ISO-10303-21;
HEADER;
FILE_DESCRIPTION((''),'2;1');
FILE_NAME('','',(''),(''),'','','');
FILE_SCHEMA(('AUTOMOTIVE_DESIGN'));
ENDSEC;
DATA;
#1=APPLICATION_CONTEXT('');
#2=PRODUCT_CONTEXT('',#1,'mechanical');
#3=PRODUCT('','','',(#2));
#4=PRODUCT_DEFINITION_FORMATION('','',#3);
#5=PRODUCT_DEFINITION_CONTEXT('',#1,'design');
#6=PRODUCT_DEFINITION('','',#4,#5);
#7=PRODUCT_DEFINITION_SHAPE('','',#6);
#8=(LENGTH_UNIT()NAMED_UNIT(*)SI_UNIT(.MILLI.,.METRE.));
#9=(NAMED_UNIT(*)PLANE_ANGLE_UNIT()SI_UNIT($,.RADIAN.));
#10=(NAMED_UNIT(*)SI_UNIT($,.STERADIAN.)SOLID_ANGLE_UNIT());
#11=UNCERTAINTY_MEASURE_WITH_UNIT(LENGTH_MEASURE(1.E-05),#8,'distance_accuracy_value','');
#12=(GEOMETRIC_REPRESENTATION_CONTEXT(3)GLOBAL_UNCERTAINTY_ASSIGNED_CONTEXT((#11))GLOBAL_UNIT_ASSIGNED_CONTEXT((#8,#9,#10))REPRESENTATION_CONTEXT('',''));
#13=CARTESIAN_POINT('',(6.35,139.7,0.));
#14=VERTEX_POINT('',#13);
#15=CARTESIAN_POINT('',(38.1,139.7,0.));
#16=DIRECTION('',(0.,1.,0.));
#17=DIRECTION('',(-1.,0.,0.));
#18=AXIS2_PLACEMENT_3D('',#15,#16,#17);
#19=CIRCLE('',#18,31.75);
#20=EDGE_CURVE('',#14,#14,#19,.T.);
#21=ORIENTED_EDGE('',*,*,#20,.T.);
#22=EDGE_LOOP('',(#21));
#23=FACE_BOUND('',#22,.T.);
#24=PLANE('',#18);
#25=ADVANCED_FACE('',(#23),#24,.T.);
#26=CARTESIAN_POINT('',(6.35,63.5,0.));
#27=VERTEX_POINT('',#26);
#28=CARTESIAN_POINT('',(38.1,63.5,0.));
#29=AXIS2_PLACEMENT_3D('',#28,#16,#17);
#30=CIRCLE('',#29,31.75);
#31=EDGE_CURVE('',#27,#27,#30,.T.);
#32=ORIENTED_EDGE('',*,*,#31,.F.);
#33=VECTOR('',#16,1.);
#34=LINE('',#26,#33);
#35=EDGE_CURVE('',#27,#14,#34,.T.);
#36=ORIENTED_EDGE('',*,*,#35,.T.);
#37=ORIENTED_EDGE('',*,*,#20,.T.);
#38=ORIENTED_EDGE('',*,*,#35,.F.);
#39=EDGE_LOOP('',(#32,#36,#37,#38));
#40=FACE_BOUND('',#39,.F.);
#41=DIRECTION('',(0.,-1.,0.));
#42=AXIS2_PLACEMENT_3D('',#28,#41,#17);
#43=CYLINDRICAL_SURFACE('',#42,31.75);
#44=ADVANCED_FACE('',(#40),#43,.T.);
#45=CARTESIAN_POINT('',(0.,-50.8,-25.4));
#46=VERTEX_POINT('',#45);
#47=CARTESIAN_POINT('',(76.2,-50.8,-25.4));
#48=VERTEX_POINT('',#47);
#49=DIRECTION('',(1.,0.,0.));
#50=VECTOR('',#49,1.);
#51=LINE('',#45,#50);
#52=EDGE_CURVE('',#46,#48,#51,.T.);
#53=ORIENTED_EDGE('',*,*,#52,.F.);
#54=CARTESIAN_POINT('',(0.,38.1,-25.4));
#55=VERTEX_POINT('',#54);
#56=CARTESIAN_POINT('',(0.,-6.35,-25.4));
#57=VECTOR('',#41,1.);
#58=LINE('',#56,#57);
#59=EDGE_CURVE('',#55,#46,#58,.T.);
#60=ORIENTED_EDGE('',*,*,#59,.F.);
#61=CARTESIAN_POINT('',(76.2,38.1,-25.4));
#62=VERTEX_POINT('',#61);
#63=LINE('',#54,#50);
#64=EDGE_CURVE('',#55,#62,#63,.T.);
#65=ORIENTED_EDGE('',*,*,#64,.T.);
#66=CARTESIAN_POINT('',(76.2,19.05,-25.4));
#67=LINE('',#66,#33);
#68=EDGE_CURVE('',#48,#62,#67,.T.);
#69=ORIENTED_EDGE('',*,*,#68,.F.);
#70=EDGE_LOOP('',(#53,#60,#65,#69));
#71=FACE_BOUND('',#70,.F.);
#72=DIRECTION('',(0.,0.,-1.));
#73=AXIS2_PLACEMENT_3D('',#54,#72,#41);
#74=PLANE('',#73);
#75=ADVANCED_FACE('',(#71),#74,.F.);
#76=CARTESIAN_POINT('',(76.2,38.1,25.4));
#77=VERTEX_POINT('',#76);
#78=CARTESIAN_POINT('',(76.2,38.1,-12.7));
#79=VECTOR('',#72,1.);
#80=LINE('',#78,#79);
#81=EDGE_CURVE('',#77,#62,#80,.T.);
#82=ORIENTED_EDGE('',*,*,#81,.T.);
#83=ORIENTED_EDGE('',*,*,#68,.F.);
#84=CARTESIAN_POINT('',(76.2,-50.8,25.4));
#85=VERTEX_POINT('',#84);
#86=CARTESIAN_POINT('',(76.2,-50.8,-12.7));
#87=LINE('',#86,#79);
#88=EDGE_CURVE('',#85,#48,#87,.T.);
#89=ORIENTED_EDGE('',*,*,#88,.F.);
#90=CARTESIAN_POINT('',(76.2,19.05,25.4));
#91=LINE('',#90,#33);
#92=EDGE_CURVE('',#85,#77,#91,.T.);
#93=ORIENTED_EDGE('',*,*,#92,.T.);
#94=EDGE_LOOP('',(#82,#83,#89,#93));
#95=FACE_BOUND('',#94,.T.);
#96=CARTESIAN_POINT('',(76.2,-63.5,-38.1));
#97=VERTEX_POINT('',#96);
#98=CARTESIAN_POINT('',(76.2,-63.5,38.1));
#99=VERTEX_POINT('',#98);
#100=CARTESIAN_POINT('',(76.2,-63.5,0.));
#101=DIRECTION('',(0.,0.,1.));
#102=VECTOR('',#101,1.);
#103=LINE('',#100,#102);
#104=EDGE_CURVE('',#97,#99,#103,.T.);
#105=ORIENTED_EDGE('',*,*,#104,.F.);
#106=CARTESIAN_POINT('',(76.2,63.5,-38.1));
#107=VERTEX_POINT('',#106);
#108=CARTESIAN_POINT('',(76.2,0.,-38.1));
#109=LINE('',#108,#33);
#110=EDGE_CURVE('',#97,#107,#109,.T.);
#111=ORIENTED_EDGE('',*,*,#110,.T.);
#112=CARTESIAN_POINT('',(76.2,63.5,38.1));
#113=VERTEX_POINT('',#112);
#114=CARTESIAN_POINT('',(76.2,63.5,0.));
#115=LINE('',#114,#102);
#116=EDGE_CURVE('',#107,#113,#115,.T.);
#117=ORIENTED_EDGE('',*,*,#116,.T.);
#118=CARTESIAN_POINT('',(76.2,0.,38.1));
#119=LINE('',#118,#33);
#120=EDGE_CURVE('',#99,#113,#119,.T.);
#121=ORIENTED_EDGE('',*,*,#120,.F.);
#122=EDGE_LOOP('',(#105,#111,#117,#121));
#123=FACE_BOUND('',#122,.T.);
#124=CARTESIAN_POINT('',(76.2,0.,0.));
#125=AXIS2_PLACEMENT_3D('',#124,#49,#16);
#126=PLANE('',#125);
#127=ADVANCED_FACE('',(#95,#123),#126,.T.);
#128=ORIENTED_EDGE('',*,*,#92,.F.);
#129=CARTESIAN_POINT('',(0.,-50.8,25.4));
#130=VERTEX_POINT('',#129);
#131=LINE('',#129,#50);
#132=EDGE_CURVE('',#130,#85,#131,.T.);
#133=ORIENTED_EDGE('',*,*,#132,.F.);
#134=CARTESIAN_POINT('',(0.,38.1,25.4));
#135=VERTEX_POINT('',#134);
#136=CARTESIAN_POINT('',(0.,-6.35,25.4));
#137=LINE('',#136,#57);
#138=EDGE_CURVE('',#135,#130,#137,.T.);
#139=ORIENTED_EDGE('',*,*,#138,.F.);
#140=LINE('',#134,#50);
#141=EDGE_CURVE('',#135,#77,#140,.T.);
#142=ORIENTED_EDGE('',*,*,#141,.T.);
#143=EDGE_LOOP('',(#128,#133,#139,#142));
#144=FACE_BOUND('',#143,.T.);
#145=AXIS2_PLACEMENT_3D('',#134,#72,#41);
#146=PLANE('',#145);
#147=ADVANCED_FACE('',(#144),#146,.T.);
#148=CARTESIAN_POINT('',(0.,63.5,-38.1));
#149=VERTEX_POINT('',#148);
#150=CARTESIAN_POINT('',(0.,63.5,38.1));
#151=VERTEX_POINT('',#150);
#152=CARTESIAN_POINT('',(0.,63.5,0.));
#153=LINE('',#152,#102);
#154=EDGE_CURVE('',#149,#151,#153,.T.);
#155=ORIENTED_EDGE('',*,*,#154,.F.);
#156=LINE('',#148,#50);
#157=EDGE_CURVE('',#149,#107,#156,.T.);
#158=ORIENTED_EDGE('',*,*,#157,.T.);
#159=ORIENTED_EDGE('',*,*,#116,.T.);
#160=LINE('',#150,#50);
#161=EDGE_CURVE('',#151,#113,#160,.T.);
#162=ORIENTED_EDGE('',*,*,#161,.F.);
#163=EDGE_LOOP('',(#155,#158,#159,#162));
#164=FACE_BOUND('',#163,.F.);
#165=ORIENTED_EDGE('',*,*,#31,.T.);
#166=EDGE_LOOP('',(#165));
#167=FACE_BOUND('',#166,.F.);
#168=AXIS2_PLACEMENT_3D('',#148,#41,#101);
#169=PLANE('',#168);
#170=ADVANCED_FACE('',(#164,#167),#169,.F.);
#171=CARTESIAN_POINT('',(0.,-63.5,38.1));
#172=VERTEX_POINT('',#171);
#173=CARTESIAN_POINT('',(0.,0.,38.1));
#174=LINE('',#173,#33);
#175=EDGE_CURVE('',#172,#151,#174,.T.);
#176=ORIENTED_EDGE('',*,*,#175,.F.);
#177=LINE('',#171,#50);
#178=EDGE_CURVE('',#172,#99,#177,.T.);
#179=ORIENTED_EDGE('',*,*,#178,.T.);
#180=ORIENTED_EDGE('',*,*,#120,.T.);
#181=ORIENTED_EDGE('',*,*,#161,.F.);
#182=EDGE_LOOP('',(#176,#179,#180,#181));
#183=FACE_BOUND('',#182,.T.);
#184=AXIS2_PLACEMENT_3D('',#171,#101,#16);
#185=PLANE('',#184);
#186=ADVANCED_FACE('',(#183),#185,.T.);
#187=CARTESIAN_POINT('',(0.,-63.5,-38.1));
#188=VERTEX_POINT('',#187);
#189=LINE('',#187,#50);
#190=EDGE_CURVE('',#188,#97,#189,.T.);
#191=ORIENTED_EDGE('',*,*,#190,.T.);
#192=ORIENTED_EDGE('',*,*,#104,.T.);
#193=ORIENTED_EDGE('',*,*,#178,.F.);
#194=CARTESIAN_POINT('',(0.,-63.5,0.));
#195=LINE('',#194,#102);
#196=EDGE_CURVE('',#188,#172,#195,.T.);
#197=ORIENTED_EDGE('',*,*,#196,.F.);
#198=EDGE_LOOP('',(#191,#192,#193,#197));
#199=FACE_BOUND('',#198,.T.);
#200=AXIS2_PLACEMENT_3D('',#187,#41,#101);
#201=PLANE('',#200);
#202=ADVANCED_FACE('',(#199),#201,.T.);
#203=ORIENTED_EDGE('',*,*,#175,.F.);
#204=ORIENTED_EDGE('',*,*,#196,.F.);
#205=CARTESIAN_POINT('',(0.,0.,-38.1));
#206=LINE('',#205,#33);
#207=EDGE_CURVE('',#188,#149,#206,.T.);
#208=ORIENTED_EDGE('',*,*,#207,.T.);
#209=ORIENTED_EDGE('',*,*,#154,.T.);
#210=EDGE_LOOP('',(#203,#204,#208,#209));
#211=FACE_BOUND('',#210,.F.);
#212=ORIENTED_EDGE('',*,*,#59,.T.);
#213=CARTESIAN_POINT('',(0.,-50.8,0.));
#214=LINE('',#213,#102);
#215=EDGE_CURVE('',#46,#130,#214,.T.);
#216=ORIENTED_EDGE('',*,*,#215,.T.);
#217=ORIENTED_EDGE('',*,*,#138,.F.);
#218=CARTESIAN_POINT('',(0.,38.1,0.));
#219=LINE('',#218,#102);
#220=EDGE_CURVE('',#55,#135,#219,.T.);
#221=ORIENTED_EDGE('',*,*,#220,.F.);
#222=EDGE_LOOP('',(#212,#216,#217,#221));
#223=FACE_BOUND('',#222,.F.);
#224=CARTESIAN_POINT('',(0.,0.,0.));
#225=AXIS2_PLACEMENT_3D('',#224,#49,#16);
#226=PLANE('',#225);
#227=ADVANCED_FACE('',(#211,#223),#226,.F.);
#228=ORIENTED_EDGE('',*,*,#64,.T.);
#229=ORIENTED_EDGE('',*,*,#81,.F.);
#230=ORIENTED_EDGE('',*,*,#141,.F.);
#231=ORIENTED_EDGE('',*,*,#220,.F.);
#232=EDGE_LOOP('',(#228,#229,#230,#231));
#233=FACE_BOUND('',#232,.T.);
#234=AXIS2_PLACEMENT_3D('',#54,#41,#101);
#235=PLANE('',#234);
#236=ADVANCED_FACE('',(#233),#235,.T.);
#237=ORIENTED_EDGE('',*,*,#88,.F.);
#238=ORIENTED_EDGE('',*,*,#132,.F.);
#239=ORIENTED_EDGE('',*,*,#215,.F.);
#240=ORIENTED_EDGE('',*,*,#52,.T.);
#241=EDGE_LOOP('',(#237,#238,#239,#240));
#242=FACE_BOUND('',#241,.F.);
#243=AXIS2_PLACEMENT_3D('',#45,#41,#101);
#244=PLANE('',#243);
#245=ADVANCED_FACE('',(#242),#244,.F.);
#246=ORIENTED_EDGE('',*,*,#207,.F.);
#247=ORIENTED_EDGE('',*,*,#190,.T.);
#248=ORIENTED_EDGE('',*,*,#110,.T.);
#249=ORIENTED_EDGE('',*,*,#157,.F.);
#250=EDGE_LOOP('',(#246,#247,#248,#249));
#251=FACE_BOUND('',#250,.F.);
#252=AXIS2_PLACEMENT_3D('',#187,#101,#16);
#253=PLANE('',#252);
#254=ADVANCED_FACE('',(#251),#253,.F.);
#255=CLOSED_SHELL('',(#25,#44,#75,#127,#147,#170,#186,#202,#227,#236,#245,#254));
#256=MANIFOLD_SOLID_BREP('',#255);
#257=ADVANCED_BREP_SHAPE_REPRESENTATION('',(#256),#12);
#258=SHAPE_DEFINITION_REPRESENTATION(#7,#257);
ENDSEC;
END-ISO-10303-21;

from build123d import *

# Parameters (mm, degrees)
F0_W     = 127
F0_H     = 76.2
F1_DEPTH = 76.2
F2_R     = 31.75
F3_DEPTH = 76.2
F4_W     = 88.9
F4_H     = 50.8
F5_DEPTH = 76.201


with BuildPart() as f1:
    # F0 (on Right) → F1 (new body)
    with BuildSketch(Plane.YZ):
        Rectangle(F0_W, F0_H)
    extrude(amount=F1_DEPTH)

    # F2 (on face) → F3 (join)
    with BuildSketch(Plane(origin=(0, 63.5, 0), x_dir=(-1, 0, 0), z_dir=(0, 1, 0))):
        with Locations((-38.1, 0)):
            Circle(F2_R)
    extrude(amount=F3_DEPTH)

    # F4 (on face) → F5 (cut, through all)
    with BuildSketch(Plane(origin=(0, 0, 0), x_dir=(0, -1, 0), z_dir=(-1, 0, 0))):
        with Locations((6.35, 0)):
            Rectangle(F4_W, F4_H)
    extrude(amount=-F5_DEPTH, mode=Mode.SUBTRACT)


solid = f1.part
